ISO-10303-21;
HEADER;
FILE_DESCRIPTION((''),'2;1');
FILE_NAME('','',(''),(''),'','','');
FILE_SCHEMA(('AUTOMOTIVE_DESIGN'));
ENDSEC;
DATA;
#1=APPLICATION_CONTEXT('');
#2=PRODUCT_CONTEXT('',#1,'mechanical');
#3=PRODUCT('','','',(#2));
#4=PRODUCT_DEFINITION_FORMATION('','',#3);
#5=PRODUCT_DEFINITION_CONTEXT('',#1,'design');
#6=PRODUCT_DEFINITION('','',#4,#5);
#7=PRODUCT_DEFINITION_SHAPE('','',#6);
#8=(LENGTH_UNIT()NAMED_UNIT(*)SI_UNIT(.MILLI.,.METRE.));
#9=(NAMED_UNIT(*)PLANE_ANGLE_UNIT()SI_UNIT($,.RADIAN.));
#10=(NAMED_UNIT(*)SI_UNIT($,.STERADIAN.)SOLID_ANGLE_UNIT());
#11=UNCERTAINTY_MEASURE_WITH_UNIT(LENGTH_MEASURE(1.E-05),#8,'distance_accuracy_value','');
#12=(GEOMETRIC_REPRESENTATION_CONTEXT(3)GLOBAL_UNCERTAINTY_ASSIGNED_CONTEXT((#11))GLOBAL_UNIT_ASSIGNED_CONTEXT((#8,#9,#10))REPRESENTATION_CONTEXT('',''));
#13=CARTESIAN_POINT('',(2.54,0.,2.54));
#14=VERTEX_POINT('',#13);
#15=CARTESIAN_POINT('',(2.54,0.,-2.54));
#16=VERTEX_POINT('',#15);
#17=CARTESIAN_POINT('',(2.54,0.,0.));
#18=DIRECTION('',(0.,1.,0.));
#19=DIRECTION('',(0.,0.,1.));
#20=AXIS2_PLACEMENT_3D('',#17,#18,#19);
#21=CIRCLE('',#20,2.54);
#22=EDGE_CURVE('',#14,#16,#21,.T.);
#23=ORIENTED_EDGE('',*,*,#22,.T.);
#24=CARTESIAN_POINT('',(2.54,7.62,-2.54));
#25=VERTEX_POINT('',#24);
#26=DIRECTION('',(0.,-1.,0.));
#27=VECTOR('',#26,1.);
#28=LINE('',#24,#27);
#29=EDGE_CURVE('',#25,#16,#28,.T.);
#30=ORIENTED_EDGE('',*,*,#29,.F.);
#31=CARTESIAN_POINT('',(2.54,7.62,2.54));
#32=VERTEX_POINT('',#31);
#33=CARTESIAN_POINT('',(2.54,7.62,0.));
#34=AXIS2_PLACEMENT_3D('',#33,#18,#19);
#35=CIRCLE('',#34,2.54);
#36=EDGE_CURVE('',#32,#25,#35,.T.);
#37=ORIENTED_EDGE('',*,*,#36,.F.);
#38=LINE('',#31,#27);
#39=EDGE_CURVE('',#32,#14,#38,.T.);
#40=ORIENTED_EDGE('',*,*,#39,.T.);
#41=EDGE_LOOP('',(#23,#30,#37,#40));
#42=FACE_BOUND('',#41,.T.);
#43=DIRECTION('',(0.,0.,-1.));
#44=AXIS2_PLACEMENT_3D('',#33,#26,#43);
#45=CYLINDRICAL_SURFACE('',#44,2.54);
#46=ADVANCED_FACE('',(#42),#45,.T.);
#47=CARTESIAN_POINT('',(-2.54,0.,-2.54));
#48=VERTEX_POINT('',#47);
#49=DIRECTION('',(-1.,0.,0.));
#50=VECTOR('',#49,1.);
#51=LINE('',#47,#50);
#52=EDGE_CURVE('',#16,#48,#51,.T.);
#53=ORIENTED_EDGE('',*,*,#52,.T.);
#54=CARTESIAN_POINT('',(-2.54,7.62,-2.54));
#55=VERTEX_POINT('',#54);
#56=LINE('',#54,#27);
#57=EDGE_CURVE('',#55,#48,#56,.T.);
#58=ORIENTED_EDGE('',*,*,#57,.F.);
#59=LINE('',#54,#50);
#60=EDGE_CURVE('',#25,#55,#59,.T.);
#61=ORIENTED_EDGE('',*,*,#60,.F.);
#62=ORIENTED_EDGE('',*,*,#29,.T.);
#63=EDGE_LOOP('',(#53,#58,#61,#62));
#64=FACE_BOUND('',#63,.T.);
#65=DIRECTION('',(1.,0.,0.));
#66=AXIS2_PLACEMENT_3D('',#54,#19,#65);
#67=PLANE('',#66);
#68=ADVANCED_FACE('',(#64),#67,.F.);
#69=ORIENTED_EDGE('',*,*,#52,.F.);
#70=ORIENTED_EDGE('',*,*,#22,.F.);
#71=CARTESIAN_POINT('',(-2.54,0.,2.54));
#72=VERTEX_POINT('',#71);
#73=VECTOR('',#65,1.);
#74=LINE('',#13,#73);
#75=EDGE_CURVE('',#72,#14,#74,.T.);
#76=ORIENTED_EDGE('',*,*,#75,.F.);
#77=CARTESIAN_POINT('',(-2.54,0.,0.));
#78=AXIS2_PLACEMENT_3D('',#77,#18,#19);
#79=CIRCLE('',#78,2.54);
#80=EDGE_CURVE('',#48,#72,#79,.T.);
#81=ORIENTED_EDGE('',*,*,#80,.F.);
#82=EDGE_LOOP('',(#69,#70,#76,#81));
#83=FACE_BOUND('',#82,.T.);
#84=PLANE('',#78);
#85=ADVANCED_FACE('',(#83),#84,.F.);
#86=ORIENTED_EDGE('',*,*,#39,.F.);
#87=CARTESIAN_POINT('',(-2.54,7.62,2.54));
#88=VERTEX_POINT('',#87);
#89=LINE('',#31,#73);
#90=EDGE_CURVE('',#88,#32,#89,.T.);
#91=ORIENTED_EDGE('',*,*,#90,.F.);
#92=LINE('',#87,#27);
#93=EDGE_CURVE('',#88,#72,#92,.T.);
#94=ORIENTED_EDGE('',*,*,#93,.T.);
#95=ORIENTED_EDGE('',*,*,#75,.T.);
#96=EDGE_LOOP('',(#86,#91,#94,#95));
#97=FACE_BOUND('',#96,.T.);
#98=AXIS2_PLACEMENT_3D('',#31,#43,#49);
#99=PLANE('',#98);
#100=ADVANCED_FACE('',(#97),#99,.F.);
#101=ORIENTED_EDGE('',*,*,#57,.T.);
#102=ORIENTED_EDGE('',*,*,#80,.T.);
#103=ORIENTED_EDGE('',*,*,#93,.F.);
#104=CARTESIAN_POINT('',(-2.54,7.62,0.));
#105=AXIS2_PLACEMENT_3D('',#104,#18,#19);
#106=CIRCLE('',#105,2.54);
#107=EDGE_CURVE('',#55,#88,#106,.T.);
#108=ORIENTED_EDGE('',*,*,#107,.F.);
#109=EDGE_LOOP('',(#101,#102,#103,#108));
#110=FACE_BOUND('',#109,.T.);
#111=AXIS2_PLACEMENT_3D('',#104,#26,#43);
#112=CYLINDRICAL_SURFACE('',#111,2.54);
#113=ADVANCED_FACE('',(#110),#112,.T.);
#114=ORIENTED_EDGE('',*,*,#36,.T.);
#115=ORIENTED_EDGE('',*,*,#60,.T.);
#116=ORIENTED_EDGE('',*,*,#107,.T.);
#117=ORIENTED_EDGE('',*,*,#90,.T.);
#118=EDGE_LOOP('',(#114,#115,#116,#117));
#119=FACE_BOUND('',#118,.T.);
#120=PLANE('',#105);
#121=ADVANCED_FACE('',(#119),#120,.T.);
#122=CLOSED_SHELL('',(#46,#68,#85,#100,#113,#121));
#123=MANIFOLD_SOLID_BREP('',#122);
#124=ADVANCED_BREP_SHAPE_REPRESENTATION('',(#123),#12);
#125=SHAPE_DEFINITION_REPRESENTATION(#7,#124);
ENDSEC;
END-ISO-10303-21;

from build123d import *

# Parameters (mm, degrees)
EXTRUDE1_DEPTH = 7.62


with BuildPart() as part:
    # Sketch1 → Extrude1 (new body)
    with BuildSketch(Plane(origin=(0, 0, 0), x_dir=(1, 0, 0), z_dir=(0, 1, 0))):
        with BuildLine():
            Line((-2.54, 2.54), (2.54, 2.54))
            ThreePointArc((2.54, 2.54), (5.08, 0), (2.54, -2.54))
            Line((2.54, -2.54), (-2.54, -2.54))
            ThreePointArc((-2.54, -2.54), (-5.08, 0), (-2.54, 2.54))
        make_face()
    extrude(amount=EXTRUDE1_DEPTH)


solid = part.part
